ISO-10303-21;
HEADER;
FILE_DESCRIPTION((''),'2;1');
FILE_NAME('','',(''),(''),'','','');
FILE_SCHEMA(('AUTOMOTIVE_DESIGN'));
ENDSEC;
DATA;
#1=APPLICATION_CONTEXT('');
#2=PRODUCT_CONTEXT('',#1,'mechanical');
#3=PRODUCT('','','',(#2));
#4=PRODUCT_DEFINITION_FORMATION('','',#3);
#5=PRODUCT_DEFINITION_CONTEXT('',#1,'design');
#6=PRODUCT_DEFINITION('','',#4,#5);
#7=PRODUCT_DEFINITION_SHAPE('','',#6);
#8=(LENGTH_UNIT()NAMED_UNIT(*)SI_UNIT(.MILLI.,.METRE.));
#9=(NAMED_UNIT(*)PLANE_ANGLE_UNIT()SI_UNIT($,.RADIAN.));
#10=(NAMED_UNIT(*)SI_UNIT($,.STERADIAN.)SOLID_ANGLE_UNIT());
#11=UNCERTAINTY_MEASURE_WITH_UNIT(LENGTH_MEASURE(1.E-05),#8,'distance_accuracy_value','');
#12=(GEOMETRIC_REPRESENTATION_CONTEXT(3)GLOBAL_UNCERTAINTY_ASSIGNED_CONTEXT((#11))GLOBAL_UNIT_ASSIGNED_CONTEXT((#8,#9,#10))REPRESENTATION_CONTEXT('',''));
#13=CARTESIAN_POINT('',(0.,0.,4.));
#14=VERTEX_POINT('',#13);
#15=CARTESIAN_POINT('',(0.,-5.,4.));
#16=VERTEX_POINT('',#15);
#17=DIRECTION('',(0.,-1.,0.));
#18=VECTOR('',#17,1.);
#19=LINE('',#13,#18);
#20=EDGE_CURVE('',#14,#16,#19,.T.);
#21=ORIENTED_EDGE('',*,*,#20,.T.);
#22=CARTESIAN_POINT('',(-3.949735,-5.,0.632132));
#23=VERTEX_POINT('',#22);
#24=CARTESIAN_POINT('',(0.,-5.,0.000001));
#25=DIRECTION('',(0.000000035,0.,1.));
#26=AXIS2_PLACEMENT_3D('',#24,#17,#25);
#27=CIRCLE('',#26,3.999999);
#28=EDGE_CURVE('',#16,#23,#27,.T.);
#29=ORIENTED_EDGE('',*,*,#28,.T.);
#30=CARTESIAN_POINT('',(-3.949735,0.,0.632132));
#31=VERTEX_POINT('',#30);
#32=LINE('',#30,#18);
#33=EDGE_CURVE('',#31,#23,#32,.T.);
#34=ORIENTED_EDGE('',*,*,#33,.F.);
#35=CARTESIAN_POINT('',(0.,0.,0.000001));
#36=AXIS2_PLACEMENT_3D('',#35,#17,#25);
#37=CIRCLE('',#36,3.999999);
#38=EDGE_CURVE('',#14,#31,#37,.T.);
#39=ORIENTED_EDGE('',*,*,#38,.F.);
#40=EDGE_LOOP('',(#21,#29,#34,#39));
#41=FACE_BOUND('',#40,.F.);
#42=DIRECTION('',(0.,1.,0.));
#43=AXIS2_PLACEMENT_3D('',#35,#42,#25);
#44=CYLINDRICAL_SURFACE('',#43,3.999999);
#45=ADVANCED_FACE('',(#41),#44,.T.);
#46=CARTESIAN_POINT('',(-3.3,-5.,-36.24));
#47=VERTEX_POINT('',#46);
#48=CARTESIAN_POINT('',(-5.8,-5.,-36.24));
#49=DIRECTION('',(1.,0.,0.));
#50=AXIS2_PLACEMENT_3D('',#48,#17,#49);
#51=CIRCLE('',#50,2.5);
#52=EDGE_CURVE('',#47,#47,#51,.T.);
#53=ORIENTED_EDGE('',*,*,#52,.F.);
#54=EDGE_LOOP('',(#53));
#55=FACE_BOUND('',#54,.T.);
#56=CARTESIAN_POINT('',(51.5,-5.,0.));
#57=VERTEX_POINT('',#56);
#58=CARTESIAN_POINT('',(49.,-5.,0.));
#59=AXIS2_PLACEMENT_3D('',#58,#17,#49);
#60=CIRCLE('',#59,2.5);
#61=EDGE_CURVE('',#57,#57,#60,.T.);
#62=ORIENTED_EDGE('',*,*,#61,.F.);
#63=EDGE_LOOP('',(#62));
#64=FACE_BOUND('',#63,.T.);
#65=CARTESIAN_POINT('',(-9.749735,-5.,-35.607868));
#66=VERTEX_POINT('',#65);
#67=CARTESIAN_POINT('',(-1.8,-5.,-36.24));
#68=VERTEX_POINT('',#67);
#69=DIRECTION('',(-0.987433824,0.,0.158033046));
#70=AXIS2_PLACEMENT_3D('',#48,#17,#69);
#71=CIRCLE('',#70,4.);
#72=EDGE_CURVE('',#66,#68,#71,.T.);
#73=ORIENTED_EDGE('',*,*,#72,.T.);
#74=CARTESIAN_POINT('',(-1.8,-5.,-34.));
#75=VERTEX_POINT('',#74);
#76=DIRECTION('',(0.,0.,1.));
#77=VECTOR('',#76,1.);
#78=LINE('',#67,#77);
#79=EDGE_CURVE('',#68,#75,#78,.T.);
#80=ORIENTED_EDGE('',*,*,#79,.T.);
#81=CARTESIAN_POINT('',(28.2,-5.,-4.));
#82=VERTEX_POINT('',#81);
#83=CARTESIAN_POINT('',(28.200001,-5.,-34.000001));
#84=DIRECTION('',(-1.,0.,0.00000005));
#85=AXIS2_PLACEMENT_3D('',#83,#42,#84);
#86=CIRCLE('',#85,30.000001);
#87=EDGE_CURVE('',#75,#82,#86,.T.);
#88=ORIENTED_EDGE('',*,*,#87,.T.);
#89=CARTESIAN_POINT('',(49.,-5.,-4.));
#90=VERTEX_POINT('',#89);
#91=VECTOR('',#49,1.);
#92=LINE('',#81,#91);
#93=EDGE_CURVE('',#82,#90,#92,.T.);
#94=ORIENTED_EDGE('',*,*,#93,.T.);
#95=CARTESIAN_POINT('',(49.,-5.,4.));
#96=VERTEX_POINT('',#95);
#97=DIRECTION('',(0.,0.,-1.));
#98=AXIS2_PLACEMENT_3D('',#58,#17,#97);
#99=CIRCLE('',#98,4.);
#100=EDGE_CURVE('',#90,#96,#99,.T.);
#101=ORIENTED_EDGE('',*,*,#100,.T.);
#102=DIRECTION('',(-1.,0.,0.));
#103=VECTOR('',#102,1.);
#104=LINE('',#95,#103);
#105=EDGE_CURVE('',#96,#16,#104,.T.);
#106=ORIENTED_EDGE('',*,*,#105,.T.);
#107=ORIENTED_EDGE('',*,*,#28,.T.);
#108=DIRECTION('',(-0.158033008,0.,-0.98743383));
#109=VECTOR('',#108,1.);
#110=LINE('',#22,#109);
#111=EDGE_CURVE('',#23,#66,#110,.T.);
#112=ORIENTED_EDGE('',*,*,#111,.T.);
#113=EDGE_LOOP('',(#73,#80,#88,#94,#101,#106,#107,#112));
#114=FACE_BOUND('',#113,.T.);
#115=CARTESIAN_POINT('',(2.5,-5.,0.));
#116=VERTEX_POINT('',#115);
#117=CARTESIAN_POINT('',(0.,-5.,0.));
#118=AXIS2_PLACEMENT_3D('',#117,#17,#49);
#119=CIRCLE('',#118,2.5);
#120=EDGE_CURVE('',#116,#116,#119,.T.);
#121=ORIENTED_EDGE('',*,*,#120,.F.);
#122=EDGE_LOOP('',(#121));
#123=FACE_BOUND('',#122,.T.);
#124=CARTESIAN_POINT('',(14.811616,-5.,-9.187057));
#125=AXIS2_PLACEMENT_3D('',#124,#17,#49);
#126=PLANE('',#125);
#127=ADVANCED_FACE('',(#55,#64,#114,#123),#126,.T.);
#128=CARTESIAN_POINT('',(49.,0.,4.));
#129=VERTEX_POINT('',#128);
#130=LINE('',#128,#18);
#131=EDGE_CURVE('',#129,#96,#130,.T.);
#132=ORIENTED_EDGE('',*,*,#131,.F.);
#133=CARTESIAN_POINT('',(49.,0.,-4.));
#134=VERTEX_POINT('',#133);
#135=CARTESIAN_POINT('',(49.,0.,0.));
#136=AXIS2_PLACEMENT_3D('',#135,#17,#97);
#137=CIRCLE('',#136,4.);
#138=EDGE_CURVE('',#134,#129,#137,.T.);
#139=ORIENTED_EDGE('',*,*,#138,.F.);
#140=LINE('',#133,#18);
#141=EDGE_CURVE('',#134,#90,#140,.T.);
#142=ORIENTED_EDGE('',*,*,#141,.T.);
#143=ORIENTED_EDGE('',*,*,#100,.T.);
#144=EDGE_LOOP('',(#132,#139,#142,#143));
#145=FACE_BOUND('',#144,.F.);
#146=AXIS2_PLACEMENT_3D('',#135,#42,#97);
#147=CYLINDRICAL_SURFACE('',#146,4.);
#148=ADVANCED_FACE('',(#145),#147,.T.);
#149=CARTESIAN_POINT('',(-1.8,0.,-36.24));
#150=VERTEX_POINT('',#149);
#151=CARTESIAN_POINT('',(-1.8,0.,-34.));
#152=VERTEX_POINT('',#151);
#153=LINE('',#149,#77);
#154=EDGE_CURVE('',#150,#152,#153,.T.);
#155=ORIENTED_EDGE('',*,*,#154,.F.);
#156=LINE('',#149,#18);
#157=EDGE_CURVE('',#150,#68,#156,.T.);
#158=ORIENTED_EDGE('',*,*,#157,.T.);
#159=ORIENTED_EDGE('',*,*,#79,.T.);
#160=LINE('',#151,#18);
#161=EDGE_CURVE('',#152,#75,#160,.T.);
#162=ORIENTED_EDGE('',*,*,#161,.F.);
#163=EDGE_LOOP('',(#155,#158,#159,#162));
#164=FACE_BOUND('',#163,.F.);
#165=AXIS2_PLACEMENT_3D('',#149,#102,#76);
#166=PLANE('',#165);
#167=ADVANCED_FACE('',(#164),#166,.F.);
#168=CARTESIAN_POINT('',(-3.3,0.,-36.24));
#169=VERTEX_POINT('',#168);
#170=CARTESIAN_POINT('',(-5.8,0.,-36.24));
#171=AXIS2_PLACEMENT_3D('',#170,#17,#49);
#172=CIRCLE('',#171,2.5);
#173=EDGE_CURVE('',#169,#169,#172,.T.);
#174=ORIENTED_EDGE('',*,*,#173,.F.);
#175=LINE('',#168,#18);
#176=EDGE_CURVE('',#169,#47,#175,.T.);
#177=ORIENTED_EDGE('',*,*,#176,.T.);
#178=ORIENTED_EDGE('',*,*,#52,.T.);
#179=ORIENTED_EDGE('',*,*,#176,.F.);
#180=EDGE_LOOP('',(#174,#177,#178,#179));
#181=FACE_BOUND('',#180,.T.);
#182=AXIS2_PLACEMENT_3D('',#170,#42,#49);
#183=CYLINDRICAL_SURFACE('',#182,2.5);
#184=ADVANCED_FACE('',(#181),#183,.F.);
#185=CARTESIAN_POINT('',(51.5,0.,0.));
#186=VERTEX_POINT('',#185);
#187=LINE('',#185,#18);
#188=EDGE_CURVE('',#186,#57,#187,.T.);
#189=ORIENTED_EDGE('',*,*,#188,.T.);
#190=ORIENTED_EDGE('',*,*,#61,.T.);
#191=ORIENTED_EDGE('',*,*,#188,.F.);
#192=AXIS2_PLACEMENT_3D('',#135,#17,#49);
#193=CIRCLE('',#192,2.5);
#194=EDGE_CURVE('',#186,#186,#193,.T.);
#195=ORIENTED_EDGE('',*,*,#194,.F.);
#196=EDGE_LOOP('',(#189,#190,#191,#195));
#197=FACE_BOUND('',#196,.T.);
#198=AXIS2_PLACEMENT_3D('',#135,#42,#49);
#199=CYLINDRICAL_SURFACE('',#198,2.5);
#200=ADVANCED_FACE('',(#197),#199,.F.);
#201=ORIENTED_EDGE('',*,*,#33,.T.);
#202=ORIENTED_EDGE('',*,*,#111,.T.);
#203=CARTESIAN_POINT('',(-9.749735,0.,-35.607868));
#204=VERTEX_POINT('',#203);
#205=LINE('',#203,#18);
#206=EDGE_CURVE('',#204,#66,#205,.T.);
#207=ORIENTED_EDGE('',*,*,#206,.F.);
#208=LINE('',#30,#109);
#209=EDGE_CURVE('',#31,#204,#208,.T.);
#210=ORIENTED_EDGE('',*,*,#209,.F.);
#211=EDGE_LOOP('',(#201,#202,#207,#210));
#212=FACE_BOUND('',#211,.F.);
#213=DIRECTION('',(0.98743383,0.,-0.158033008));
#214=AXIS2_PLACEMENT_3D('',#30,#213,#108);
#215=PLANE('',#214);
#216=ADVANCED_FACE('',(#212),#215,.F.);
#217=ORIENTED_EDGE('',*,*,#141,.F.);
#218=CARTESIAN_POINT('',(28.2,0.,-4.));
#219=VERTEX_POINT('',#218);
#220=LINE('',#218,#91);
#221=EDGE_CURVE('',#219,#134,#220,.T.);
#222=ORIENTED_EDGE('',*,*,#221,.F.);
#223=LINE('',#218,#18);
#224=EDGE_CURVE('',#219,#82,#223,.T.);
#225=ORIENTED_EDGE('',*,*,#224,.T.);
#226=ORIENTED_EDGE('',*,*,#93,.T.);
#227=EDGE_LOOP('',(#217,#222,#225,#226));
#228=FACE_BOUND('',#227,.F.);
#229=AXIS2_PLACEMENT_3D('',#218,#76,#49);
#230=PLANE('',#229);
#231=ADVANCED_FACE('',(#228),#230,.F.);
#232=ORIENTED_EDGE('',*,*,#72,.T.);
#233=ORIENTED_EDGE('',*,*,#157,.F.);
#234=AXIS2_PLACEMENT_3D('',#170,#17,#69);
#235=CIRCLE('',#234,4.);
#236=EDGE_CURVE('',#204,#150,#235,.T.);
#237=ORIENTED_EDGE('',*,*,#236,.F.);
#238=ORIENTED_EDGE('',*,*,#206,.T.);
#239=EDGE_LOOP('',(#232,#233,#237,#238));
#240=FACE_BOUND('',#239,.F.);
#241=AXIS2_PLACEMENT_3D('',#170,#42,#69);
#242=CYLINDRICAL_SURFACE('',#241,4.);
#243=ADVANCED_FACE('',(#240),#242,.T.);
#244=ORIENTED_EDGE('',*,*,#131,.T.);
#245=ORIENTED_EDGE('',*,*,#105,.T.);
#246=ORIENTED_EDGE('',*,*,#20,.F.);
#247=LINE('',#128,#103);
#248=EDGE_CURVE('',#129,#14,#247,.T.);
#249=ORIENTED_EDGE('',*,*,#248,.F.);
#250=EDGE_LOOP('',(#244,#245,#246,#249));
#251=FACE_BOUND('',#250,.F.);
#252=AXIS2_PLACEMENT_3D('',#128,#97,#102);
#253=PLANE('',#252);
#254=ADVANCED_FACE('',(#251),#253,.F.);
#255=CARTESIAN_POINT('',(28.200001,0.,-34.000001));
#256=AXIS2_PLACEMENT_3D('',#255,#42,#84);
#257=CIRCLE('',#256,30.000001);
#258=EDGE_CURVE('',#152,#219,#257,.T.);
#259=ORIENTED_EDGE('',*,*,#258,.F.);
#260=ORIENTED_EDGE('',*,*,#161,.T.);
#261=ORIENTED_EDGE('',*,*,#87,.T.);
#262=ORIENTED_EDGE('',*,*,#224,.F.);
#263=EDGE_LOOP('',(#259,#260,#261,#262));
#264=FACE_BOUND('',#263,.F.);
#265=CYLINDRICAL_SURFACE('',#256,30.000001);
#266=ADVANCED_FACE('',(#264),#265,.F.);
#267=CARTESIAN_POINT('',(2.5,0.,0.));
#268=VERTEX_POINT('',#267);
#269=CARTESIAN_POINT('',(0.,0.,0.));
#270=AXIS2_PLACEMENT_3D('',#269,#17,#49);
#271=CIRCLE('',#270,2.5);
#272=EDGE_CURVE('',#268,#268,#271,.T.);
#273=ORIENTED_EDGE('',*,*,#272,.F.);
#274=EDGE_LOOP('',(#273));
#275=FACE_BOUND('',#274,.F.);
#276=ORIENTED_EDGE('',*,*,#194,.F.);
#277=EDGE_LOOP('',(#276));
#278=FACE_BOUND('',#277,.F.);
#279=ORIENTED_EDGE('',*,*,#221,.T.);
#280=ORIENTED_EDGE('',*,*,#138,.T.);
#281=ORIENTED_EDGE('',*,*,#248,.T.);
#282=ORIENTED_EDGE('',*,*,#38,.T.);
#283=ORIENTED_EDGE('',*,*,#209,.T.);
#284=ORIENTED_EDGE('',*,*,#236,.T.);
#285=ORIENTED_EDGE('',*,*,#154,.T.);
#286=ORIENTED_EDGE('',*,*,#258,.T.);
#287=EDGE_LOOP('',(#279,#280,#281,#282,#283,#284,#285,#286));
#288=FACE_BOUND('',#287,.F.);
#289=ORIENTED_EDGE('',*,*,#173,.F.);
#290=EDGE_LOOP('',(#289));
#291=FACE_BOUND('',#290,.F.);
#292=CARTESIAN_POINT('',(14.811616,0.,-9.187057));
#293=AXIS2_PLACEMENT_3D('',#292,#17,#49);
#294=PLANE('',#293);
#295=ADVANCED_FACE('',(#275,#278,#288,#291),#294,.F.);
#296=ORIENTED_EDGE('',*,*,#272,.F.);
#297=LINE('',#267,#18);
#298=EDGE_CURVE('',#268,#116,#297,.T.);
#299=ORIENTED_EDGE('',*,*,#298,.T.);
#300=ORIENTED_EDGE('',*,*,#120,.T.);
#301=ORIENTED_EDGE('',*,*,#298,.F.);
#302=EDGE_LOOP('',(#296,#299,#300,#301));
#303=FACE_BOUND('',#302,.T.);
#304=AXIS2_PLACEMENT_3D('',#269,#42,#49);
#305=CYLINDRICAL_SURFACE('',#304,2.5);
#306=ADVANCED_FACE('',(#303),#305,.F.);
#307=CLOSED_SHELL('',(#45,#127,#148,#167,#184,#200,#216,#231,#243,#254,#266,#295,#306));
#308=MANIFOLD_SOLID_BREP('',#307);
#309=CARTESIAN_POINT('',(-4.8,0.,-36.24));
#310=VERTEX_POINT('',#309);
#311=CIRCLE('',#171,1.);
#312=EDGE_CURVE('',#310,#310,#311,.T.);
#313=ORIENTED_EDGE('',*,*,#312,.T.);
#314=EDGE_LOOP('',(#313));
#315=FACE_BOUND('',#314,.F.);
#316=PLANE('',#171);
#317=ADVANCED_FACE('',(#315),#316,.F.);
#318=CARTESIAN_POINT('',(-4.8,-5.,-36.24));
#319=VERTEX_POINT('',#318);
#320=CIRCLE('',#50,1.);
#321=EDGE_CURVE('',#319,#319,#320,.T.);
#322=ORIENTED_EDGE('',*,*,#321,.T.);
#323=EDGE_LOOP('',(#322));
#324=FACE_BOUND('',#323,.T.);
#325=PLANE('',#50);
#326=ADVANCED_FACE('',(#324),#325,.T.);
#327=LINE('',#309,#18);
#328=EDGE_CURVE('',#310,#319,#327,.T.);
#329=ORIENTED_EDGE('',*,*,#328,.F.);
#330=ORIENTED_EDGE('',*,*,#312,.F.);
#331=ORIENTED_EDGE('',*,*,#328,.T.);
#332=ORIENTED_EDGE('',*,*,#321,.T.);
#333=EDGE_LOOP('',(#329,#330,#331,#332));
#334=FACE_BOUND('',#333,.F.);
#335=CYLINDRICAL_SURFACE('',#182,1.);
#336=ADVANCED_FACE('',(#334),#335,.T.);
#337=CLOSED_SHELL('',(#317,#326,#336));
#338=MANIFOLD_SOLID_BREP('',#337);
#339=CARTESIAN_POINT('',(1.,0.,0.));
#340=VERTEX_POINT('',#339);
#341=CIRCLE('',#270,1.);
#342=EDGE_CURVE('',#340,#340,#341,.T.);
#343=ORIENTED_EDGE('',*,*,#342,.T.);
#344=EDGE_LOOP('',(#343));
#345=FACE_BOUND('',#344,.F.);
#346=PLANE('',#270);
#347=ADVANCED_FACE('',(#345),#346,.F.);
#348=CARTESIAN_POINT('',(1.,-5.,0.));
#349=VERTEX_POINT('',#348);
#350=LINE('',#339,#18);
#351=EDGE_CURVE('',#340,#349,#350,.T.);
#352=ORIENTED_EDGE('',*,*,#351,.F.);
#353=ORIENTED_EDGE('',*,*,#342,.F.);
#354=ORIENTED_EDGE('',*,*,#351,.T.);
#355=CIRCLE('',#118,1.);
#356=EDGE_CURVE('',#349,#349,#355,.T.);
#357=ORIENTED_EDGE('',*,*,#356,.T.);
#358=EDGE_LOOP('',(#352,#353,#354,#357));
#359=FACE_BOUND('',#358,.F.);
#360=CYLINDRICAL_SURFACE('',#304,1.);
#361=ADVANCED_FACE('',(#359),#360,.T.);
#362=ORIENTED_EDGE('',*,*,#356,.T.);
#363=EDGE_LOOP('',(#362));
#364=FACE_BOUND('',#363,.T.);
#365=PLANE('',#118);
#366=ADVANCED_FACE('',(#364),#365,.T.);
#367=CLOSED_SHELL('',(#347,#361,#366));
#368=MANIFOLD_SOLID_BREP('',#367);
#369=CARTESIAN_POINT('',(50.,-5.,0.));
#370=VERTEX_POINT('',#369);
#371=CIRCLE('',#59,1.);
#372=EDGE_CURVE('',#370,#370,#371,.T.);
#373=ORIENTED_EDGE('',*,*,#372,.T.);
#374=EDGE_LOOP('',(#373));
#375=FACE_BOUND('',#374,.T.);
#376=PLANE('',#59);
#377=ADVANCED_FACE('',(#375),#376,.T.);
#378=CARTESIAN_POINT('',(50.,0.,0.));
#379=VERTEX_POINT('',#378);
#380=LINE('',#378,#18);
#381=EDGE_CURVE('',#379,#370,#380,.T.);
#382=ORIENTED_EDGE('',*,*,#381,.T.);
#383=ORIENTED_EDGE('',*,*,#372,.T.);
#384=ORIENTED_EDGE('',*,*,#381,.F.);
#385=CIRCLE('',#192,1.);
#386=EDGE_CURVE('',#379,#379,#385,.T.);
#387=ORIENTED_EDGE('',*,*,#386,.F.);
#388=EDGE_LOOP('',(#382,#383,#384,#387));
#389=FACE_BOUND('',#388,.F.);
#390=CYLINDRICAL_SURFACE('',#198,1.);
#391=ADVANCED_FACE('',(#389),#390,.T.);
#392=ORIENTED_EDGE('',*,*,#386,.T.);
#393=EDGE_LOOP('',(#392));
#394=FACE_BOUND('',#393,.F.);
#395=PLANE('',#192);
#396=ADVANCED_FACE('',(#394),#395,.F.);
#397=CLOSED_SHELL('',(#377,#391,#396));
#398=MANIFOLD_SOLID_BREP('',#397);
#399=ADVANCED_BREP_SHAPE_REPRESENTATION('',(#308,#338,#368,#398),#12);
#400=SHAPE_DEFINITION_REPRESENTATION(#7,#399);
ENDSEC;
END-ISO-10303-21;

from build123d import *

# Parameters (mm, degrees)
F0_R     = 2.5
F0_R_2   = 1
F1_DEPTH = 5


with BuildPart() as f1:
    # F0 (on Front) → F1 (new body)
    with BuildSketch(Plane.XZ):
        with BuildLine():
            Line((49, 4), (0, 4))
            ThreePointArc((0, 4), (-2.59533, 3.043725), (-3.949735, 0.632132))
            Line((-3.949735, 0.632132), (-9.749735, -35.607868))
            ThreePointArc((-9.749735, -35.607868), (-5.482936, -32.252586), (-1.8, -36.24))
            Line((-1.8, -36.24), (-1.8, -34))
            ThreePointArc((-1.8, -34), (6.986797, -12.786797), (28.2, -4))
            Line((28.2, -4), (49, -4))
            ThreePointArc((49, -4), (53, 0), (49, 4))
        make_face()
        Circle(F0_R, mode=Mode.SUBTRACT)
        with Locations((49, 0)):
            Circle(F0_R, mode=Mode.SUBTRACT)
        with BuildLine():
            ThreePointArc((-1.8, -36.24), (-5.482936, -32.252586), (-9.749735, -35.607868))
            ThreePointArc((-9.749735, -35.607868), (-6.117064, -40.227414), (-1.8, -36.24))
        make_face()
        with Locations((-5.8, -36.24)):
            Circle(F0_R, mode=Mode.SUBTRACT)
        with Locations((-5.8, -36.24)):
            Circle(F0_R_2)
        Circle(F0_R_2)
        with Locations((49, 0)):
            Circle(F0_R_2)
    extrude(amount=F1_DEPTH)


solid = f1.part
